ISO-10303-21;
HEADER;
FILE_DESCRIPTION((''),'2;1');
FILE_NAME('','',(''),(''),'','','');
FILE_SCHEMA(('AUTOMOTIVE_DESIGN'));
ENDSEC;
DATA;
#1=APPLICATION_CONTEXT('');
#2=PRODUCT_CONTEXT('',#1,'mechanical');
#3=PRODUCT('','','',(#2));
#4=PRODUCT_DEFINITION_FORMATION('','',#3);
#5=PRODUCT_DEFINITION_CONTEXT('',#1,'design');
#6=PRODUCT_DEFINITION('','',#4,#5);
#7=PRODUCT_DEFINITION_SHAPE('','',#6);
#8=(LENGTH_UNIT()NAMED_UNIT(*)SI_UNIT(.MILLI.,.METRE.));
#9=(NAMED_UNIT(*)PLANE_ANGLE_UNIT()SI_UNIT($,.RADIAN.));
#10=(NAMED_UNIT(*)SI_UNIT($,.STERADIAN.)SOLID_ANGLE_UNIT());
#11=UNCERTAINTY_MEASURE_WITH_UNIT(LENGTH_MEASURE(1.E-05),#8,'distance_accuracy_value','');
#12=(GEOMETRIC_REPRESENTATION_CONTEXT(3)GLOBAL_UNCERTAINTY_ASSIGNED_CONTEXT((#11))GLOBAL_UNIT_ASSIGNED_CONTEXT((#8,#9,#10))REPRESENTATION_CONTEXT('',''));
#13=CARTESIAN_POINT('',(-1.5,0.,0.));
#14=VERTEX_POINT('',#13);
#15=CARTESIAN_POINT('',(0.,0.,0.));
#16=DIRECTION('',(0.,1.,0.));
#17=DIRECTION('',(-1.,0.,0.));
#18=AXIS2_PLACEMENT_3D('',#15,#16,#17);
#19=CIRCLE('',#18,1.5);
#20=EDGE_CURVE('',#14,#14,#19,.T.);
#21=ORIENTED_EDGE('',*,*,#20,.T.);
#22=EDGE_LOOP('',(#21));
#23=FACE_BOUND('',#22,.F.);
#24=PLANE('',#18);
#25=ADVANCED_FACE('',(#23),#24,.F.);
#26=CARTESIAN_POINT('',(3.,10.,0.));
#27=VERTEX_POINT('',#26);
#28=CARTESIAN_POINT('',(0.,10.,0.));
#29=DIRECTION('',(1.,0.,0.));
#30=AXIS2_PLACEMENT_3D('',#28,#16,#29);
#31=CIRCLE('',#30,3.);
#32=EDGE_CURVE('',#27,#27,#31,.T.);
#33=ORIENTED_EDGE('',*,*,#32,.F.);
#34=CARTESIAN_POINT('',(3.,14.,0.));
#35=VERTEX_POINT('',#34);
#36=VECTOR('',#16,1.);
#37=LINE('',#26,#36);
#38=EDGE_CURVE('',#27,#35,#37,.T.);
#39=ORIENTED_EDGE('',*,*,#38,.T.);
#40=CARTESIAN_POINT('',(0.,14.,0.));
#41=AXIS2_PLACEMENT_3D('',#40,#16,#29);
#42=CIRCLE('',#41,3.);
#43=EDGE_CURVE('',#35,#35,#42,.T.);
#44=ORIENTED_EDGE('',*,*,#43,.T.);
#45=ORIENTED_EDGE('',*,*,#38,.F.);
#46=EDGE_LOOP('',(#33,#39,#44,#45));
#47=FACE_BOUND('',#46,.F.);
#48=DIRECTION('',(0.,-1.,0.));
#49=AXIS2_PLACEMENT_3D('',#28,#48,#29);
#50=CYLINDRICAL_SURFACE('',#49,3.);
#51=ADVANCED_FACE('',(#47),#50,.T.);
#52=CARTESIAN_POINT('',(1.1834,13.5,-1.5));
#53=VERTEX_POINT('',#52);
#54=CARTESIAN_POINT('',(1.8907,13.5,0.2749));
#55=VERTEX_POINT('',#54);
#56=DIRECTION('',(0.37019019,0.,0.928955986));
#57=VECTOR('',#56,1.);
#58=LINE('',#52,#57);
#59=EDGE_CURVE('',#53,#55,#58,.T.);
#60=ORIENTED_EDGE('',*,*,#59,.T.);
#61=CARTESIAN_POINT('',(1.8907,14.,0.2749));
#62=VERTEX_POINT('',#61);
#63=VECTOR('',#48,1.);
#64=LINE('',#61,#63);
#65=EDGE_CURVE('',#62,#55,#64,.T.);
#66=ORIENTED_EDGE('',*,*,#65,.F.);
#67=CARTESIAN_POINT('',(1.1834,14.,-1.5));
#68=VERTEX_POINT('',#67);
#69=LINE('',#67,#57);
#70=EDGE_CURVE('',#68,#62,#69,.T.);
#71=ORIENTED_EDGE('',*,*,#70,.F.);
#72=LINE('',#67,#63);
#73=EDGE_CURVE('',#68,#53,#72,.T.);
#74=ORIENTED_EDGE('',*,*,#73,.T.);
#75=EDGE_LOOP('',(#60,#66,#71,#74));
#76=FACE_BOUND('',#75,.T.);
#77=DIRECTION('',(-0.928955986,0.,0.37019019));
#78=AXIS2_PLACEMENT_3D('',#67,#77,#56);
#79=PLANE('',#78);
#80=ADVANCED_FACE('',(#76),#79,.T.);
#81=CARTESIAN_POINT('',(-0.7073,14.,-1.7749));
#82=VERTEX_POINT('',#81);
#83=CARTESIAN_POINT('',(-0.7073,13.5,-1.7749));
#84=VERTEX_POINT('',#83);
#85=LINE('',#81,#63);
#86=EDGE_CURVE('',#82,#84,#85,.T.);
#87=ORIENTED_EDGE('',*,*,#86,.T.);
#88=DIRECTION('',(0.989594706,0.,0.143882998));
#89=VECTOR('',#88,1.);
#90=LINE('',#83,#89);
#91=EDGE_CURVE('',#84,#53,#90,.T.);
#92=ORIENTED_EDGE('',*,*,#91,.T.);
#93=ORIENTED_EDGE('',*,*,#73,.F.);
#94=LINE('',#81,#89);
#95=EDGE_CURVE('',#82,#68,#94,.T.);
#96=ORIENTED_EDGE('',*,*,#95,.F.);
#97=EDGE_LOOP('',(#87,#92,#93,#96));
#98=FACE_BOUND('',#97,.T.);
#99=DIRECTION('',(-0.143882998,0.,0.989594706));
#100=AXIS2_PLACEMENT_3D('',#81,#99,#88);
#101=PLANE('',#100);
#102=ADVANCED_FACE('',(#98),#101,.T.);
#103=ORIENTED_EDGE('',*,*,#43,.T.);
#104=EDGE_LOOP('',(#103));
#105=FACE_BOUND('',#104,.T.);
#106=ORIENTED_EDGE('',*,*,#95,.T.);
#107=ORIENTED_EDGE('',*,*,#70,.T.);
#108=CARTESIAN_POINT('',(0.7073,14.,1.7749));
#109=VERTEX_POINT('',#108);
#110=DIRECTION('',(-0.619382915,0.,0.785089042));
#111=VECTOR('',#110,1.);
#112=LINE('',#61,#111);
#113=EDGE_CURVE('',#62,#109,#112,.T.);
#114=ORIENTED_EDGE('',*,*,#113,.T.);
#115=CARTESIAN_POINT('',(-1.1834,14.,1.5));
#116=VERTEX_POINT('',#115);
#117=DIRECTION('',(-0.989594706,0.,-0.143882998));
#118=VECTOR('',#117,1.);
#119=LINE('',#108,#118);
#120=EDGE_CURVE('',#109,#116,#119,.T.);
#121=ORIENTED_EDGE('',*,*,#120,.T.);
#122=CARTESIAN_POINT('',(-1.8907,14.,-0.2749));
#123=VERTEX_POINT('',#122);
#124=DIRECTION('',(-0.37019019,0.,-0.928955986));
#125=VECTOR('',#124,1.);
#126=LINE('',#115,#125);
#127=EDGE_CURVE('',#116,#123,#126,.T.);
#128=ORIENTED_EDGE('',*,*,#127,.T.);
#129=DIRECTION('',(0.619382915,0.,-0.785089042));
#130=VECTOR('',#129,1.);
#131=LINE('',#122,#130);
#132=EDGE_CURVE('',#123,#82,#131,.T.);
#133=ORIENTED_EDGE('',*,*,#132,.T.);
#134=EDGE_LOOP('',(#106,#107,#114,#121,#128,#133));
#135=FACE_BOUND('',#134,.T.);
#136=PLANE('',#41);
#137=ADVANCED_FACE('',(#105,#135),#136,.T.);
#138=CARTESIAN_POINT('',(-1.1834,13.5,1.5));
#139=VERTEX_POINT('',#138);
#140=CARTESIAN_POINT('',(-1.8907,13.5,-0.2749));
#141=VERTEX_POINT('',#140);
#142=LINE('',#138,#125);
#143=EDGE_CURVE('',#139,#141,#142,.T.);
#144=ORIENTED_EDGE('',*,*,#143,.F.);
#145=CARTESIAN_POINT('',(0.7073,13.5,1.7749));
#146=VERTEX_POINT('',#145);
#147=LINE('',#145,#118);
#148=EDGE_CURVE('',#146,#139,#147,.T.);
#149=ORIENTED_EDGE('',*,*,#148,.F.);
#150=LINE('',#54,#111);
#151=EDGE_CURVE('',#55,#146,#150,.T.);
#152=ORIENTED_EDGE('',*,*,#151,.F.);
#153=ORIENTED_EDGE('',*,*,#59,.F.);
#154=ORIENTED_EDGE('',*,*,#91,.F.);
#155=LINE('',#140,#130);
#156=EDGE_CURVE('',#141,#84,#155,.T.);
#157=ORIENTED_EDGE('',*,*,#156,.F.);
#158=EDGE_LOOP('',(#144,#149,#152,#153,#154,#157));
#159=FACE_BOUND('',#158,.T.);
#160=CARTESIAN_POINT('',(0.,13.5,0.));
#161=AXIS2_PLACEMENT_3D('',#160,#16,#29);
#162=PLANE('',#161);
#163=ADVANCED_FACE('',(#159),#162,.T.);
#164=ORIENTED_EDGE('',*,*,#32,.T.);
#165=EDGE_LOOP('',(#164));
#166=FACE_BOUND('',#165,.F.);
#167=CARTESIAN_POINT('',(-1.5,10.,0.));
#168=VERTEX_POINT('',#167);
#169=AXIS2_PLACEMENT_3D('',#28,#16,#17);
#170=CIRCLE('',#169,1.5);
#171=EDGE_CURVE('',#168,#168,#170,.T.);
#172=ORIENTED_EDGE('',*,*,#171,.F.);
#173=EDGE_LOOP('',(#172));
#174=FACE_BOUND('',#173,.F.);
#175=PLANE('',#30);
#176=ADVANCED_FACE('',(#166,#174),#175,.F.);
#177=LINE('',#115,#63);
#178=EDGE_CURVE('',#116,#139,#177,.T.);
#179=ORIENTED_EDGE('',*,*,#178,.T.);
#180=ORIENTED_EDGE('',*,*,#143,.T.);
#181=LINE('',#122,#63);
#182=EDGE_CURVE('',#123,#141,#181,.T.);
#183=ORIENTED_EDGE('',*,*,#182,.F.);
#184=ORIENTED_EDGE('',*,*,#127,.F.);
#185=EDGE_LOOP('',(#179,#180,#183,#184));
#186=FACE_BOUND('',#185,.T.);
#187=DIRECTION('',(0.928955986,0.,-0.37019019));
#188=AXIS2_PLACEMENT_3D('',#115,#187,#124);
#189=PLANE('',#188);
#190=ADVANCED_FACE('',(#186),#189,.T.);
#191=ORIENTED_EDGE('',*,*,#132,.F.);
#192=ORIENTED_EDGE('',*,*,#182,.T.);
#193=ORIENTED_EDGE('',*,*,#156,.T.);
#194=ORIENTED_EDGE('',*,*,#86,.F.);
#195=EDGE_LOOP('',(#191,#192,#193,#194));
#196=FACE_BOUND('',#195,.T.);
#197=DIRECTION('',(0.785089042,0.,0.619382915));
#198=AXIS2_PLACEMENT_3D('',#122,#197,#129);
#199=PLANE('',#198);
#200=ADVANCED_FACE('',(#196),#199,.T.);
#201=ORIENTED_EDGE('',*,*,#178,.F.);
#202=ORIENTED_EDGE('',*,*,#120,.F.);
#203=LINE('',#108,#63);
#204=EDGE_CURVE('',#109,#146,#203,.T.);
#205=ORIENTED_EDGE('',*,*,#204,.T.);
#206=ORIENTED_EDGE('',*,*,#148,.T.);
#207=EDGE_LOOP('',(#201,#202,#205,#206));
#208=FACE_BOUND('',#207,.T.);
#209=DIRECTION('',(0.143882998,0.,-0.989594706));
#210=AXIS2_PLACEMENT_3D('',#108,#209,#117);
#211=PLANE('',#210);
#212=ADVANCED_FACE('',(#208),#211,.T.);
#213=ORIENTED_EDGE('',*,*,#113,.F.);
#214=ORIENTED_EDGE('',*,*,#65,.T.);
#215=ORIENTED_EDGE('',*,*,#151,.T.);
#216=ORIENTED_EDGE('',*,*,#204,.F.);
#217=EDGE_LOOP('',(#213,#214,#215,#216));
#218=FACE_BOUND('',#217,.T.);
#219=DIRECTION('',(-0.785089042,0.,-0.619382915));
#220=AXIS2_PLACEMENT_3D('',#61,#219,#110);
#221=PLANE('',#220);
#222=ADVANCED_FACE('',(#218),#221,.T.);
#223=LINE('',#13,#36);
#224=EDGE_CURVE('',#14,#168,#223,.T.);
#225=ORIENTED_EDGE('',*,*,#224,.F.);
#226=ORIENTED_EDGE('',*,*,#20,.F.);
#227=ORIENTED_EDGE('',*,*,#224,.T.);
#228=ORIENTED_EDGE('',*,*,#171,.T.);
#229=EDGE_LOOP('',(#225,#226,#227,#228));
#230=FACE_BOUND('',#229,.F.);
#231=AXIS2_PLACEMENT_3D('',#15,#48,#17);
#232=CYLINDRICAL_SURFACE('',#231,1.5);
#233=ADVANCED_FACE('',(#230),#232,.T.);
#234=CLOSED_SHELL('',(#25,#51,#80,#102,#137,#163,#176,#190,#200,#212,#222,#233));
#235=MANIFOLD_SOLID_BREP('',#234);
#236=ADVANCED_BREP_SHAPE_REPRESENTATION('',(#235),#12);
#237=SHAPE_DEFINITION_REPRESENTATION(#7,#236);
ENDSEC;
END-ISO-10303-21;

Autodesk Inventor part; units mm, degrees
ref_plane "YZ Plane" through (0, 0, 0) normal (1, 0, 0) x (0, 1, 0)
ref_plane "XZ Plane" through (0, 0, 0) normal (0, 1, 0) x (-1, 0, 0)
ref_plane "XY Plane" through (0, 0, 0) normal (0, 0, 1) x (1, 0, 0)
sketch "Sketch1" plane through (0, 0, 0) normal (0, 1, 0) x (-1, 0, 0)
  circle A0 centre (0, 0) radius 1.5
  dimension "d0" = 3
extrude "Extrusion1" add sketch "Sketch1" along normal blind 10
sketch "Sketch2" plane through (0, 10, 0) normal (0, 1, 0) x (1, 0, 0)
  circle A0 centre (0, 0) radius 3
  dimension "d3" = 6
extrude "Extrusion2" add sketch "Sketch2" along normal blind 4
sketch "Sketch3" plane through (0, 14, 0) normal (0, 1, 0) x (1, 0, 0)
  circle A0 centre (0, 0) radius 3 projected
  line L0 (1.1834, 1.5) -> (1.8907, -0.2749)
  line L1 (1.8907, -0.2749) -> (0.7073, -1.7749)
  line L2 (0.7073, -1.7749) -> (-1.1834, -1.5)
  line L3 (-1.1834, -1.5) -> (-1.8907, 0.2749)
  line L4 (-1.8907, 0.2749) -> (-0.7073, 1.7749)
  line L5 (-0.7073, 1.7749) -> (1.1834, 1.5)
extrude "Extrusion3" cut sketch "Sketch3" against normal blind 0.5 contours L0 L1 L2 L3 L4 L5
thread "Thread1" size "M3x0.5" class "6g" standard "ANSI Metric M Profile" full length
properties part number "M4 x10"
